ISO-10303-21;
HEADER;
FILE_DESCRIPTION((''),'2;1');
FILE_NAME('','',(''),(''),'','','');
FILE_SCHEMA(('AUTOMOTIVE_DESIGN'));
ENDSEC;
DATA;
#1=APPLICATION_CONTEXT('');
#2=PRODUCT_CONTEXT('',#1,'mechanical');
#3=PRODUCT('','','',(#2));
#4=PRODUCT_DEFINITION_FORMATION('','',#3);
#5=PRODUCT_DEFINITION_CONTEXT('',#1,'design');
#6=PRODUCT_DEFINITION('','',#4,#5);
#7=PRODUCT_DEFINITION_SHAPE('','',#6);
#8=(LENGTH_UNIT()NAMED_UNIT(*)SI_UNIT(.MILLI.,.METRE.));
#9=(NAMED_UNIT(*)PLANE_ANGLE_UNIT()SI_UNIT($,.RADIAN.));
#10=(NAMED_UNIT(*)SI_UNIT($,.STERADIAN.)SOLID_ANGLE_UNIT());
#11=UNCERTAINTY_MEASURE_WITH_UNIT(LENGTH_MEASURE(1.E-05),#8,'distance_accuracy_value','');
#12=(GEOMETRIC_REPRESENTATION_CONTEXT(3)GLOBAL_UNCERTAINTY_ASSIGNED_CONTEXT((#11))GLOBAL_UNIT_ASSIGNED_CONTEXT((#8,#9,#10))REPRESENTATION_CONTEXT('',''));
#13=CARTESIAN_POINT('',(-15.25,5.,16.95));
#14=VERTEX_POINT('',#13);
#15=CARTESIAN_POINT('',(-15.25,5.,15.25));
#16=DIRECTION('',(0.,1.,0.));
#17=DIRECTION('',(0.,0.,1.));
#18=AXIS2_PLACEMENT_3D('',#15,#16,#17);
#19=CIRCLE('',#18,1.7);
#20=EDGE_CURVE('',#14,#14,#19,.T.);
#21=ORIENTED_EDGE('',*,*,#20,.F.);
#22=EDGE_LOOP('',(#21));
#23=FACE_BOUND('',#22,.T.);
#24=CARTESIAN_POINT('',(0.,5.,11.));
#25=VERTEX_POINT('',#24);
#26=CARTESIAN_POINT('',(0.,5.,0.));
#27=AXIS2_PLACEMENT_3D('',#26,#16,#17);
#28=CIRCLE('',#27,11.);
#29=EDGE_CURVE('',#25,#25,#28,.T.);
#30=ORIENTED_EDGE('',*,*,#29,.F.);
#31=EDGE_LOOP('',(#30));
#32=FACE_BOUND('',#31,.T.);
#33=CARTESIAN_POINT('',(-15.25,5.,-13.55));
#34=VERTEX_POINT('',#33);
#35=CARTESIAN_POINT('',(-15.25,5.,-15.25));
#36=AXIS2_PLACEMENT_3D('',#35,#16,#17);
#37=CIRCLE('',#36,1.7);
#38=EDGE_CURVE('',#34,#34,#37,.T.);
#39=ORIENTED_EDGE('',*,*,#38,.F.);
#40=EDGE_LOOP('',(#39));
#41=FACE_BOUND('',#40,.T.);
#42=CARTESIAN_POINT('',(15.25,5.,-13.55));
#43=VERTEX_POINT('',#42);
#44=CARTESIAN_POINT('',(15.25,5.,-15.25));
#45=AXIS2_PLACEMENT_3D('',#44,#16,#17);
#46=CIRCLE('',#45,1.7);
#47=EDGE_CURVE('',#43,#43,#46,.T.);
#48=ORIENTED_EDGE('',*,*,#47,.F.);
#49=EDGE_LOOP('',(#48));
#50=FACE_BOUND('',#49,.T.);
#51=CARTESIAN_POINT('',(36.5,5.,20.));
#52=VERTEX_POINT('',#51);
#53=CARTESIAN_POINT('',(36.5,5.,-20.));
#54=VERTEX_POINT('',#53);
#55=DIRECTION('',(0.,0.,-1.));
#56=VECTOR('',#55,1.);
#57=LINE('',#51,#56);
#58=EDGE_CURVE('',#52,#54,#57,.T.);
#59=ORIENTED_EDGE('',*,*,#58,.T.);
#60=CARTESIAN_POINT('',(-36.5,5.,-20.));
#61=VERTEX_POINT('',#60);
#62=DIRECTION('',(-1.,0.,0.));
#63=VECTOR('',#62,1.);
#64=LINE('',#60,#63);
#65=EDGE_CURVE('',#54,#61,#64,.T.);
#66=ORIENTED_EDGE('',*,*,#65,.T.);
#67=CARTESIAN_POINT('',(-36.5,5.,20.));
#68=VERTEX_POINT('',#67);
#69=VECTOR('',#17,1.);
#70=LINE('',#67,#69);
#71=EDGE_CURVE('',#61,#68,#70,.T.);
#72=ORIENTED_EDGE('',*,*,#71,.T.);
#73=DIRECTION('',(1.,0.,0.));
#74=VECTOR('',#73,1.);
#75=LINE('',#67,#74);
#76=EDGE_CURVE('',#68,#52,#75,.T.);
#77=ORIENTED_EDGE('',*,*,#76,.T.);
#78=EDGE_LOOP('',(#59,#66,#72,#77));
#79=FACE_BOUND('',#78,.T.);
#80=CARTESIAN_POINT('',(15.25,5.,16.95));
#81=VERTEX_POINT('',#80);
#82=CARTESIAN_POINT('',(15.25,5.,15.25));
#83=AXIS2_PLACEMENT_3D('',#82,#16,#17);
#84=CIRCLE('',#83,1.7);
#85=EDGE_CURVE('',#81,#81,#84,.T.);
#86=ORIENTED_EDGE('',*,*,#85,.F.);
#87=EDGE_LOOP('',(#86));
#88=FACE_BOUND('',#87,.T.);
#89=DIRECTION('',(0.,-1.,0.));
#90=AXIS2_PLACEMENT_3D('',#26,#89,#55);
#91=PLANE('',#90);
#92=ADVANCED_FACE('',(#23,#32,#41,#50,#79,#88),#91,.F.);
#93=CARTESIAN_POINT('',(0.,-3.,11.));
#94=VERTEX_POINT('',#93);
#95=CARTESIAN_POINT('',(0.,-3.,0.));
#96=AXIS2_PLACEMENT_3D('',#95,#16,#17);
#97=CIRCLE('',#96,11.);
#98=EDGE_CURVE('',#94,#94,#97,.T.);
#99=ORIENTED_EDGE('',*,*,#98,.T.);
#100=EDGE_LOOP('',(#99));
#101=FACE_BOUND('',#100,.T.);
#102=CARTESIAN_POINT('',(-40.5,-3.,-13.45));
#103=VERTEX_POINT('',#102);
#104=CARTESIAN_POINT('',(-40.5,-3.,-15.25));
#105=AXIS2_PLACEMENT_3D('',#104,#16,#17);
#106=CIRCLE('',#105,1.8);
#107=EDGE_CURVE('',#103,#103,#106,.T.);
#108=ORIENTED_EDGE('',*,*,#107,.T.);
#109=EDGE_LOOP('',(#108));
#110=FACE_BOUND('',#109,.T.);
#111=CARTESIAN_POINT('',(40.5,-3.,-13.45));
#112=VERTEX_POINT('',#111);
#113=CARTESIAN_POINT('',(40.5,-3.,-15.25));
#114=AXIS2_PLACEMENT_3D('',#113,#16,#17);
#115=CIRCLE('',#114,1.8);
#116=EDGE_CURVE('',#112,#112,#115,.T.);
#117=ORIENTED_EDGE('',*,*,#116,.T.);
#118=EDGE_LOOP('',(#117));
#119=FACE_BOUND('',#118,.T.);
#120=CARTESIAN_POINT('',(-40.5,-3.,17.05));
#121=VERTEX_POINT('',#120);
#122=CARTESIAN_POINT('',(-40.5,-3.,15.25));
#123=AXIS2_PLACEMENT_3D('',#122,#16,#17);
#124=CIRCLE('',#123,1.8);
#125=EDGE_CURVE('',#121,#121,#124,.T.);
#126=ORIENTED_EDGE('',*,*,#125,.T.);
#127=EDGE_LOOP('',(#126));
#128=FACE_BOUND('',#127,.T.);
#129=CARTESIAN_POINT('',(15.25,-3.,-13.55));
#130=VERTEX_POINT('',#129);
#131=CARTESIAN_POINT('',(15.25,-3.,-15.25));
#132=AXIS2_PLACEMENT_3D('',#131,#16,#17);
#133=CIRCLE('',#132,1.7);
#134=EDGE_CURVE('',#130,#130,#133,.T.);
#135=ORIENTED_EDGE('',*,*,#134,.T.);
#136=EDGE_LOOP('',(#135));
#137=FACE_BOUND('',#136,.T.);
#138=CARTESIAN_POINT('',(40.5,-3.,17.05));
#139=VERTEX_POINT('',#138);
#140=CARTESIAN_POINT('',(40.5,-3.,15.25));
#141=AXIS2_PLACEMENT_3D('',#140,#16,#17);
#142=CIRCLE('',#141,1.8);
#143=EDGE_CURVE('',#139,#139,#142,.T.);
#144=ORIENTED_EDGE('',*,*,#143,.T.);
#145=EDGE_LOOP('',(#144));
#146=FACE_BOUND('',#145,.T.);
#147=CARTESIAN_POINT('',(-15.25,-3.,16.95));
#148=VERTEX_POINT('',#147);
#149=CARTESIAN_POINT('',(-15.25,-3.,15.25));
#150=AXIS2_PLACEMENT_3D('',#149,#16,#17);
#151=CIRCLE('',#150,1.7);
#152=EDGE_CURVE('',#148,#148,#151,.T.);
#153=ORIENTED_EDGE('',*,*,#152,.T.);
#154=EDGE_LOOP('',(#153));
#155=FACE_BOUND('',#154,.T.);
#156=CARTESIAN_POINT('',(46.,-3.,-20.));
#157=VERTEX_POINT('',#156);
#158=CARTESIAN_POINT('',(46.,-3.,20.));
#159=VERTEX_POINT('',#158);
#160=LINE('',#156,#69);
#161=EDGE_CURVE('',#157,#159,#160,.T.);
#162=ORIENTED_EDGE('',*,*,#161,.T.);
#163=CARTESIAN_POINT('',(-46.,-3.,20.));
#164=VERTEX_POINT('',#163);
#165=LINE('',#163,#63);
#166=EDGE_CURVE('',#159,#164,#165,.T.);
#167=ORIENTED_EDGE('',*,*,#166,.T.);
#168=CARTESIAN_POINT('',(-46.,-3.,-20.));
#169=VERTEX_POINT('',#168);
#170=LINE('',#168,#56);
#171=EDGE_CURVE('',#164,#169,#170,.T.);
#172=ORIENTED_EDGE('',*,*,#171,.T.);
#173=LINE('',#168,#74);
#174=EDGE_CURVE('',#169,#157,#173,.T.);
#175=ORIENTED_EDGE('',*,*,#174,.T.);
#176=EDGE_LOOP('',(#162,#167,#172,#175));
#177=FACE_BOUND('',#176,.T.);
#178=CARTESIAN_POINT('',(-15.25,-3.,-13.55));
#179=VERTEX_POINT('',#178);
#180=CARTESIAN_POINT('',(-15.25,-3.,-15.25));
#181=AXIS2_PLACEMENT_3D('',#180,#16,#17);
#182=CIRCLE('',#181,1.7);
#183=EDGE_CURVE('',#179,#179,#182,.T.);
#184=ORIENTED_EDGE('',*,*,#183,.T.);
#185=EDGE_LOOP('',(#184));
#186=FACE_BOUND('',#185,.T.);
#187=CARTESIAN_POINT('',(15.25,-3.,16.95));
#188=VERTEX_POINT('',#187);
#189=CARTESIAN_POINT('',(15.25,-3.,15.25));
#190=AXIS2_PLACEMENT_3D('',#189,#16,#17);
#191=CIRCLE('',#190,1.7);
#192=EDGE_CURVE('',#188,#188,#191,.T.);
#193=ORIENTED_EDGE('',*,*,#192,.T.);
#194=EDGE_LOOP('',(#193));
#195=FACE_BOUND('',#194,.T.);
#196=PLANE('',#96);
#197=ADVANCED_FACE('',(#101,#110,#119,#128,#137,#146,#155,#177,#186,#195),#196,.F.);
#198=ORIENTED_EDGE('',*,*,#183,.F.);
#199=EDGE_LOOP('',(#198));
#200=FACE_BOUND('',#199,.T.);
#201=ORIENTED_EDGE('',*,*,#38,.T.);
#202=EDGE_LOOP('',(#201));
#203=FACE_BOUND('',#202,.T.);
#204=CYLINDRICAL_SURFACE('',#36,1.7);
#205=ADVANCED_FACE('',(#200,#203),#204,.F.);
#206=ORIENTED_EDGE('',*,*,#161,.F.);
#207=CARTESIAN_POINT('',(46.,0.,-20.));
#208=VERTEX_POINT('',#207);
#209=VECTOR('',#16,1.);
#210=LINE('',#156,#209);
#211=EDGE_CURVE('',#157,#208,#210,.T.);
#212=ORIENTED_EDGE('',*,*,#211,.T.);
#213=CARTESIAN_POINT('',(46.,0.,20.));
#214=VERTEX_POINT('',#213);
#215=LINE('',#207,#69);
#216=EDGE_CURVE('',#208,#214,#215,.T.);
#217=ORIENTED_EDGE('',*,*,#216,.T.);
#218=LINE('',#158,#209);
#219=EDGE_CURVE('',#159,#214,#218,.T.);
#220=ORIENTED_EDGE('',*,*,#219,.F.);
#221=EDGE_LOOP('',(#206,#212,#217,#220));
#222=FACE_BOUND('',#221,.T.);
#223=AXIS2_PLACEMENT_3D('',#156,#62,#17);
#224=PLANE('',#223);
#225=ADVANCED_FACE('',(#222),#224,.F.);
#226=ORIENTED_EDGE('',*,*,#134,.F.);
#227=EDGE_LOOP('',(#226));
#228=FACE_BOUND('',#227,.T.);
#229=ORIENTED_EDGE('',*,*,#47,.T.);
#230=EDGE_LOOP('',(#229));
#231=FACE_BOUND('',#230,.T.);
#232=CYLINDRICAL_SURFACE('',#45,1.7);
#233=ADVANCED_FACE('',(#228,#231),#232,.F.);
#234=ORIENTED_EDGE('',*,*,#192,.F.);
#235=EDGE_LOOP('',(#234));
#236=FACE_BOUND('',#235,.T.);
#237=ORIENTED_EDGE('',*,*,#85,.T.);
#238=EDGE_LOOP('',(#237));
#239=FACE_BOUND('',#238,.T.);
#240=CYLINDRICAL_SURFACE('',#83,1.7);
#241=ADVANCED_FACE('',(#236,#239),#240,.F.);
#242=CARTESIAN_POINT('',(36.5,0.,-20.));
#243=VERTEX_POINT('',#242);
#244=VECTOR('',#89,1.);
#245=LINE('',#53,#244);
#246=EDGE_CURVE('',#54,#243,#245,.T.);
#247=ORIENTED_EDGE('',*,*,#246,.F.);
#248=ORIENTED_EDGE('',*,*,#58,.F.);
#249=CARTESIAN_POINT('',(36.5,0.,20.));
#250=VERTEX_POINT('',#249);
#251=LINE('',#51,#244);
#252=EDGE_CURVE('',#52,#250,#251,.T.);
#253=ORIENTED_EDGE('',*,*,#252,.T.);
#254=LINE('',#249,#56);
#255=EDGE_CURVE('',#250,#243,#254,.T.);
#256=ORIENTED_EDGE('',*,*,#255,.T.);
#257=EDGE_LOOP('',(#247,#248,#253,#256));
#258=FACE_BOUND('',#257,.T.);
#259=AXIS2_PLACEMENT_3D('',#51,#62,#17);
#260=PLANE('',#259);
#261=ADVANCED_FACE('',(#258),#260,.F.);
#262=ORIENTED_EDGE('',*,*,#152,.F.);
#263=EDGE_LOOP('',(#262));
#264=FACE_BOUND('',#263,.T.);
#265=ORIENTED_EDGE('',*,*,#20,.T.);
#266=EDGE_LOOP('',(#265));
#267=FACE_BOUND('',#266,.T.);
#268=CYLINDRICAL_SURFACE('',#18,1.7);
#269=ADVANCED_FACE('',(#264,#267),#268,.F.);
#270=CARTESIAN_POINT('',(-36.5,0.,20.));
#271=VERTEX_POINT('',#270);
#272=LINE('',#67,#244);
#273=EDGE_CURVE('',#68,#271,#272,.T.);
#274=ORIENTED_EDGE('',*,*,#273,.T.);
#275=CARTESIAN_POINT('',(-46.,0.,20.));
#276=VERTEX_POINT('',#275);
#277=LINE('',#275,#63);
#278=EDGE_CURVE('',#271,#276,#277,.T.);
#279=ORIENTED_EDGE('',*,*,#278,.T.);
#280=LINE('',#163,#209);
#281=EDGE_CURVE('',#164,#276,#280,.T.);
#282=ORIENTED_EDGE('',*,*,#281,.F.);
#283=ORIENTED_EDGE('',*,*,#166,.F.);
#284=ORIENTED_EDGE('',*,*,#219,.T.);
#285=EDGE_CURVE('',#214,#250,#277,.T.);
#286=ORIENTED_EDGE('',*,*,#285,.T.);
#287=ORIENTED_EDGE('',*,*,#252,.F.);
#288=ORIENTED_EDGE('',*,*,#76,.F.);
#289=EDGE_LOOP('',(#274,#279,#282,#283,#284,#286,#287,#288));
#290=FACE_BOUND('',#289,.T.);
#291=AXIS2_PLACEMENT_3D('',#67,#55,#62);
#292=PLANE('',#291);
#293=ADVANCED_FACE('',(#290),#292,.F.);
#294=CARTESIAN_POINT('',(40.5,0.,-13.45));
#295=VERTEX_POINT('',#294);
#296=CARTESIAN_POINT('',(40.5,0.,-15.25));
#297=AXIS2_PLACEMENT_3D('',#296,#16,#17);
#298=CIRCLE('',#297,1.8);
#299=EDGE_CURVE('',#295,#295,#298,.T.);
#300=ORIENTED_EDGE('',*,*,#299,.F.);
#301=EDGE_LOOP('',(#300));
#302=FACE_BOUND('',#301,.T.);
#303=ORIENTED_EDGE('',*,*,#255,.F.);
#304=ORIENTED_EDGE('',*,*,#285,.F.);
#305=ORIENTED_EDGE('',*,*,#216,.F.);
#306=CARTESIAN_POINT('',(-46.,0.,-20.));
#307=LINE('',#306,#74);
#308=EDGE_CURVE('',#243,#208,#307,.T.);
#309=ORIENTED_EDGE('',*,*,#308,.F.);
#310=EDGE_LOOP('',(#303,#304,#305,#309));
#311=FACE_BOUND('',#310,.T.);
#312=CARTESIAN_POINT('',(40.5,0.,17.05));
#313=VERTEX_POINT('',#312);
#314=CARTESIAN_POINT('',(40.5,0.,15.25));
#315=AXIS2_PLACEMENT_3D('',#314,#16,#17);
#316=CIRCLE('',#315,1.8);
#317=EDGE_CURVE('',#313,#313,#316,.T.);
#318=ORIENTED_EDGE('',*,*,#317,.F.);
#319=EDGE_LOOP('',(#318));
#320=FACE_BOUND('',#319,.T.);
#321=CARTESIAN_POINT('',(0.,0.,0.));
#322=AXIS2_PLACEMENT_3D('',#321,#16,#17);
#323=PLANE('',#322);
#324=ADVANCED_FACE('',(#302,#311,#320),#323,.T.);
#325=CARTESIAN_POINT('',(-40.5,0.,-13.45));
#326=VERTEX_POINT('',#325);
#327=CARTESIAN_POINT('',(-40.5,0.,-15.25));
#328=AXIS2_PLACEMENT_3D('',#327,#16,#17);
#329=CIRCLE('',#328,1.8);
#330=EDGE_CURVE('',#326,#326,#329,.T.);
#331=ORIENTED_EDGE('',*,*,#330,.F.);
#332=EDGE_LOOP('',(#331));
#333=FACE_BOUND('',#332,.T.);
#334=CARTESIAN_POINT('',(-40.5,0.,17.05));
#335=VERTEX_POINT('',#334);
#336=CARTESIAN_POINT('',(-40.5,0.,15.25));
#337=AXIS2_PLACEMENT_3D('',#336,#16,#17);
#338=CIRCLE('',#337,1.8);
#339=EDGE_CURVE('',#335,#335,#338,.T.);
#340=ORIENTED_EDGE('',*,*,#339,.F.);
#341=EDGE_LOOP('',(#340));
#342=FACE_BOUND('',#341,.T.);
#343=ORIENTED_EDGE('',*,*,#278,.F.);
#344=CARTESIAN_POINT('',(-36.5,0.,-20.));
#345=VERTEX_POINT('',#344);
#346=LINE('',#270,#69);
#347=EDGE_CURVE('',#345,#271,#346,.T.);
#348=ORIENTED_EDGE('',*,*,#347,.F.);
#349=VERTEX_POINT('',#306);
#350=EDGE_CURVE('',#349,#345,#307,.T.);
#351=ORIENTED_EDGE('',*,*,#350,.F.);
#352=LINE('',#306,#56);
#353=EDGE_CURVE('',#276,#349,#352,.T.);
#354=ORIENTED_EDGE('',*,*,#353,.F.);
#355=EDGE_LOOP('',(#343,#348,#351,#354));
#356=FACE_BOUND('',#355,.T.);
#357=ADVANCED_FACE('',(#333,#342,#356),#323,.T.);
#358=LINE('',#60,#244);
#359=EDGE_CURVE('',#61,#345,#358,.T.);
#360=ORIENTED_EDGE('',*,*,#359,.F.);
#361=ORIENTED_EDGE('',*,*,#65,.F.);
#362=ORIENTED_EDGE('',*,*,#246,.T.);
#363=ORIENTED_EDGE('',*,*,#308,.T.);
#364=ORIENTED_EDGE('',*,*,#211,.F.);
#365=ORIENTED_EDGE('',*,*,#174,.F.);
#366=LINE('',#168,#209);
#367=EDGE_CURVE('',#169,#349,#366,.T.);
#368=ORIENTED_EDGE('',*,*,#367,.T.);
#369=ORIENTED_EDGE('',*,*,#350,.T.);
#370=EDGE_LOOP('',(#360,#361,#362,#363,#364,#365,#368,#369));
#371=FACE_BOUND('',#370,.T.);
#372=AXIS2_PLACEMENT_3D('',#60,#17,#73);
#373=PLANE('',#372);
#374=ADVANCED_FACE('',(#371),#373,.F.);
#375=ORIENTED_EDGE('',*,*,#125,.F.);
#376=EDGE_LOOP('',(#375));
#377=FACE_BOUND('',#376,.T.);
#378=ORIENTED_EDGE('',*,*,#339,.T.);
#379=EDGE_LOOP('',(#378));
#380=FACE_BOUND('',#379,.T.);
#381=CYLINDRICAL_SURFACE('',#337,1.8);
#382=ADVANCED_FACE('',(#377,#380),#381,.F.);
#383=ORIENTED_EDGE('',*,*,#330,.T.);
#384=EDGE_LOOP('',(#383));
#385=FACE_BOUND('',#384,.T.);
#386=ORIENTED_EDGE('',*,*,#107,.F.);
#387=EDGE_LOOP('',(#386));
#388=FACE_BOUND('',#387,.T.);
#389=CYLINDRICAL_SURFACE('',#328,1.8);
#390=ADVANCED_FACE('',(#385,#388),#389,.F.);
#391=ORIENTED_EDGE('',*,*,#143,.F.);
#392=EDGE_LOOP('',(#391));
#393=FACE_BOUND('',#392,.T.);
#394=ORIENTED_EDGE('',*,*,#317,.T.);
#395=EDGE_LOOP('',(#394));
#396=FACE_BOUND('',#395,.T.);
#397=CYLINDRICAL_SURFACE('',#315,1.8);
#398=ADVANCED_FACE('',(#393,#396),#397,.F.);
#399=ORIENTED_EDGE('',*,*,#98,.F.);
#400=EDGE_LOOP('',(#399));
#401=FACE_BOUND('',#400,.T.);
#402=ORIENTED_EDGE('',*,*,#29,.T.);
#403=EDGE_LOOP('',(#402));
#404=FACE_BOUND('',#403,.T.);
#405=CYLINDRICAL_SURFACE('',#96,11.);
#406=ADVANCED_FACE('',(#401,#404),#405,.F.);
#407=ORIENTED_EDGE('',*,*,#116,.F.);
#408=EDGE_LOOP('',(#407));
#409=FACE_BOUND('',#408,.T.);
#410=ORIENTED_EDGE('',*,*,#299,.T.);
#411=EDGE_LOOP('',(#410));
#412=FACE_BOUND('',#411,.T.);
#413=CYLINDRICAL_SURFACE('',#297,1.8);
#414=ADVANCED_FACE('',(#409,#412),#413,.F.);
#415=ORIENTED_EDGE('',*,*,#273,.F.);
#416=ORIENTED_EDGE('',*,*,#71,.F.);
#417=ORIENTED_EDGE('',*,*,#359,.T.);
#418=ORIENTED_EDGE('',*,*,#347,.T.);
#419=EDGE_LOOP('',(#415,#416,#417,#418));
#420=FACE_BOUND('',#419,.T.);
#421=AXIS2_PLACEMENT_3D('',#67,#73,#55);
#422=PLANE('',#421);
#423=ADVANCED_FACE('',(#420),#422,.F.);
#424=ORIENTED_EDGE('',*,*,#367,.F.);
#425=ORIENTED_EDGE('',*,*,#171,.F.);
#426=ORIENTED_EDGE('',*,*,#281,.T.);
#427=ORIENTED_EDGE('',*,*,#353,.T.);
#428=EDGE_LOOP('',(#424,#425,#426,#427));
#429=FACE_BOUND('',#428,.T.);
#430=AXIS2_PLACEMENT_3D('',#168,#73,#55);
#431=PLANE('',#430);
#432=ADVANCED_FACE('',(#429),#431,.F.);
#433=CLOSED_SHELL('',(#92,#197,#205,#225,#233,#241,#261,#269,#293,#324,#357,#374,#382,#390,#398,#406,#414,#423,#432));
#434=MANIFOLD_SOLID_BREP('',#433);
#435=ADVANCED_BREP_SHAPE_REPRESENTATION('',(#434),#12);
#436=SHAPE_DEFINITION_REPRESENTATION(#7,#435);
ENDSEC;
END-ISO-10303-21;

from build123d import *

# Parameters (mm, degrees)
SKETCH1_W            = 73
SKETCH1_H            = 40
BOSS_EXTRUDE1_DEPTH  = 5
SKETCH2_W            = 92
SKETCH2_H            = 40
BOSS_EXTRUDE2_DEPTH  = 3
M3_CLEARANCE_HOLE1_D = 3.6
M3_CLEARANCE_HOLE2_D = 3.4
SKETCH9_R            = 11
CUT_EXTRUDE1_DEPTH   = 9


with BuildPart() as part:
    # Sketch1 → Boss-Extrude1 (new body)
    with BuildSketch(Plane(origin=(0, 0, 0), x_dir=(1, 0, 0), z_dir=(0, 1, 0))):
        Rectangle(SKETCH1_W, SKETCH1_H)
    extrude(amount=BOSS_EXTRUDE1_DEPTH)

    # Sketch2 → Boss-Extrude2 (add)
    with BuildSketch(Plane.XZ):
        Rectangle(SKETCH2_W, SKETCH2_H)
    extrude(amount=BOSS_EXTRUDE2_DEPTH)

    # M3 Clearance Hole1 (through all)
    with Locations(Plane(origin=(0, 0, 0), x_dir=(1, 0, 0), z_dir=(0, 1, 0))):
        with Locations((-40.5, 15.25), (-40.5, -15.25), (40.5, 15.25), (40.5, -15.25)):
            Hole(M3_CLEARANCE_HOLE1_D / 2)

    # M3 Clearance Hole2 (through all)
    with Locations(Plane(origin=(0, 5, 0), x_dir=(1, 0, 0), z_dir=(0, 1, 0))):
        with Locations((0, 0), (15.25, 15.25), (-15.25, -15.25), (-15.25, 15.25), (15.25, -15.25)):
            Hole(M3_CLEARANCE_HOLE2_D / 2)

    # Sketch9 → Cut-Extrude1 (cut, through all)
    with BuildSketch(Plane(origin=(0, 5, 0), x_dir=(1, 0, 0), z_dir=(0, 1, 0))):
        Circle(SKETCH9_R)
    extrude(amount=-CUT_EXTRUDE1_DEPTH, mode=Mode.SUBTRACT)


solid = part.part
